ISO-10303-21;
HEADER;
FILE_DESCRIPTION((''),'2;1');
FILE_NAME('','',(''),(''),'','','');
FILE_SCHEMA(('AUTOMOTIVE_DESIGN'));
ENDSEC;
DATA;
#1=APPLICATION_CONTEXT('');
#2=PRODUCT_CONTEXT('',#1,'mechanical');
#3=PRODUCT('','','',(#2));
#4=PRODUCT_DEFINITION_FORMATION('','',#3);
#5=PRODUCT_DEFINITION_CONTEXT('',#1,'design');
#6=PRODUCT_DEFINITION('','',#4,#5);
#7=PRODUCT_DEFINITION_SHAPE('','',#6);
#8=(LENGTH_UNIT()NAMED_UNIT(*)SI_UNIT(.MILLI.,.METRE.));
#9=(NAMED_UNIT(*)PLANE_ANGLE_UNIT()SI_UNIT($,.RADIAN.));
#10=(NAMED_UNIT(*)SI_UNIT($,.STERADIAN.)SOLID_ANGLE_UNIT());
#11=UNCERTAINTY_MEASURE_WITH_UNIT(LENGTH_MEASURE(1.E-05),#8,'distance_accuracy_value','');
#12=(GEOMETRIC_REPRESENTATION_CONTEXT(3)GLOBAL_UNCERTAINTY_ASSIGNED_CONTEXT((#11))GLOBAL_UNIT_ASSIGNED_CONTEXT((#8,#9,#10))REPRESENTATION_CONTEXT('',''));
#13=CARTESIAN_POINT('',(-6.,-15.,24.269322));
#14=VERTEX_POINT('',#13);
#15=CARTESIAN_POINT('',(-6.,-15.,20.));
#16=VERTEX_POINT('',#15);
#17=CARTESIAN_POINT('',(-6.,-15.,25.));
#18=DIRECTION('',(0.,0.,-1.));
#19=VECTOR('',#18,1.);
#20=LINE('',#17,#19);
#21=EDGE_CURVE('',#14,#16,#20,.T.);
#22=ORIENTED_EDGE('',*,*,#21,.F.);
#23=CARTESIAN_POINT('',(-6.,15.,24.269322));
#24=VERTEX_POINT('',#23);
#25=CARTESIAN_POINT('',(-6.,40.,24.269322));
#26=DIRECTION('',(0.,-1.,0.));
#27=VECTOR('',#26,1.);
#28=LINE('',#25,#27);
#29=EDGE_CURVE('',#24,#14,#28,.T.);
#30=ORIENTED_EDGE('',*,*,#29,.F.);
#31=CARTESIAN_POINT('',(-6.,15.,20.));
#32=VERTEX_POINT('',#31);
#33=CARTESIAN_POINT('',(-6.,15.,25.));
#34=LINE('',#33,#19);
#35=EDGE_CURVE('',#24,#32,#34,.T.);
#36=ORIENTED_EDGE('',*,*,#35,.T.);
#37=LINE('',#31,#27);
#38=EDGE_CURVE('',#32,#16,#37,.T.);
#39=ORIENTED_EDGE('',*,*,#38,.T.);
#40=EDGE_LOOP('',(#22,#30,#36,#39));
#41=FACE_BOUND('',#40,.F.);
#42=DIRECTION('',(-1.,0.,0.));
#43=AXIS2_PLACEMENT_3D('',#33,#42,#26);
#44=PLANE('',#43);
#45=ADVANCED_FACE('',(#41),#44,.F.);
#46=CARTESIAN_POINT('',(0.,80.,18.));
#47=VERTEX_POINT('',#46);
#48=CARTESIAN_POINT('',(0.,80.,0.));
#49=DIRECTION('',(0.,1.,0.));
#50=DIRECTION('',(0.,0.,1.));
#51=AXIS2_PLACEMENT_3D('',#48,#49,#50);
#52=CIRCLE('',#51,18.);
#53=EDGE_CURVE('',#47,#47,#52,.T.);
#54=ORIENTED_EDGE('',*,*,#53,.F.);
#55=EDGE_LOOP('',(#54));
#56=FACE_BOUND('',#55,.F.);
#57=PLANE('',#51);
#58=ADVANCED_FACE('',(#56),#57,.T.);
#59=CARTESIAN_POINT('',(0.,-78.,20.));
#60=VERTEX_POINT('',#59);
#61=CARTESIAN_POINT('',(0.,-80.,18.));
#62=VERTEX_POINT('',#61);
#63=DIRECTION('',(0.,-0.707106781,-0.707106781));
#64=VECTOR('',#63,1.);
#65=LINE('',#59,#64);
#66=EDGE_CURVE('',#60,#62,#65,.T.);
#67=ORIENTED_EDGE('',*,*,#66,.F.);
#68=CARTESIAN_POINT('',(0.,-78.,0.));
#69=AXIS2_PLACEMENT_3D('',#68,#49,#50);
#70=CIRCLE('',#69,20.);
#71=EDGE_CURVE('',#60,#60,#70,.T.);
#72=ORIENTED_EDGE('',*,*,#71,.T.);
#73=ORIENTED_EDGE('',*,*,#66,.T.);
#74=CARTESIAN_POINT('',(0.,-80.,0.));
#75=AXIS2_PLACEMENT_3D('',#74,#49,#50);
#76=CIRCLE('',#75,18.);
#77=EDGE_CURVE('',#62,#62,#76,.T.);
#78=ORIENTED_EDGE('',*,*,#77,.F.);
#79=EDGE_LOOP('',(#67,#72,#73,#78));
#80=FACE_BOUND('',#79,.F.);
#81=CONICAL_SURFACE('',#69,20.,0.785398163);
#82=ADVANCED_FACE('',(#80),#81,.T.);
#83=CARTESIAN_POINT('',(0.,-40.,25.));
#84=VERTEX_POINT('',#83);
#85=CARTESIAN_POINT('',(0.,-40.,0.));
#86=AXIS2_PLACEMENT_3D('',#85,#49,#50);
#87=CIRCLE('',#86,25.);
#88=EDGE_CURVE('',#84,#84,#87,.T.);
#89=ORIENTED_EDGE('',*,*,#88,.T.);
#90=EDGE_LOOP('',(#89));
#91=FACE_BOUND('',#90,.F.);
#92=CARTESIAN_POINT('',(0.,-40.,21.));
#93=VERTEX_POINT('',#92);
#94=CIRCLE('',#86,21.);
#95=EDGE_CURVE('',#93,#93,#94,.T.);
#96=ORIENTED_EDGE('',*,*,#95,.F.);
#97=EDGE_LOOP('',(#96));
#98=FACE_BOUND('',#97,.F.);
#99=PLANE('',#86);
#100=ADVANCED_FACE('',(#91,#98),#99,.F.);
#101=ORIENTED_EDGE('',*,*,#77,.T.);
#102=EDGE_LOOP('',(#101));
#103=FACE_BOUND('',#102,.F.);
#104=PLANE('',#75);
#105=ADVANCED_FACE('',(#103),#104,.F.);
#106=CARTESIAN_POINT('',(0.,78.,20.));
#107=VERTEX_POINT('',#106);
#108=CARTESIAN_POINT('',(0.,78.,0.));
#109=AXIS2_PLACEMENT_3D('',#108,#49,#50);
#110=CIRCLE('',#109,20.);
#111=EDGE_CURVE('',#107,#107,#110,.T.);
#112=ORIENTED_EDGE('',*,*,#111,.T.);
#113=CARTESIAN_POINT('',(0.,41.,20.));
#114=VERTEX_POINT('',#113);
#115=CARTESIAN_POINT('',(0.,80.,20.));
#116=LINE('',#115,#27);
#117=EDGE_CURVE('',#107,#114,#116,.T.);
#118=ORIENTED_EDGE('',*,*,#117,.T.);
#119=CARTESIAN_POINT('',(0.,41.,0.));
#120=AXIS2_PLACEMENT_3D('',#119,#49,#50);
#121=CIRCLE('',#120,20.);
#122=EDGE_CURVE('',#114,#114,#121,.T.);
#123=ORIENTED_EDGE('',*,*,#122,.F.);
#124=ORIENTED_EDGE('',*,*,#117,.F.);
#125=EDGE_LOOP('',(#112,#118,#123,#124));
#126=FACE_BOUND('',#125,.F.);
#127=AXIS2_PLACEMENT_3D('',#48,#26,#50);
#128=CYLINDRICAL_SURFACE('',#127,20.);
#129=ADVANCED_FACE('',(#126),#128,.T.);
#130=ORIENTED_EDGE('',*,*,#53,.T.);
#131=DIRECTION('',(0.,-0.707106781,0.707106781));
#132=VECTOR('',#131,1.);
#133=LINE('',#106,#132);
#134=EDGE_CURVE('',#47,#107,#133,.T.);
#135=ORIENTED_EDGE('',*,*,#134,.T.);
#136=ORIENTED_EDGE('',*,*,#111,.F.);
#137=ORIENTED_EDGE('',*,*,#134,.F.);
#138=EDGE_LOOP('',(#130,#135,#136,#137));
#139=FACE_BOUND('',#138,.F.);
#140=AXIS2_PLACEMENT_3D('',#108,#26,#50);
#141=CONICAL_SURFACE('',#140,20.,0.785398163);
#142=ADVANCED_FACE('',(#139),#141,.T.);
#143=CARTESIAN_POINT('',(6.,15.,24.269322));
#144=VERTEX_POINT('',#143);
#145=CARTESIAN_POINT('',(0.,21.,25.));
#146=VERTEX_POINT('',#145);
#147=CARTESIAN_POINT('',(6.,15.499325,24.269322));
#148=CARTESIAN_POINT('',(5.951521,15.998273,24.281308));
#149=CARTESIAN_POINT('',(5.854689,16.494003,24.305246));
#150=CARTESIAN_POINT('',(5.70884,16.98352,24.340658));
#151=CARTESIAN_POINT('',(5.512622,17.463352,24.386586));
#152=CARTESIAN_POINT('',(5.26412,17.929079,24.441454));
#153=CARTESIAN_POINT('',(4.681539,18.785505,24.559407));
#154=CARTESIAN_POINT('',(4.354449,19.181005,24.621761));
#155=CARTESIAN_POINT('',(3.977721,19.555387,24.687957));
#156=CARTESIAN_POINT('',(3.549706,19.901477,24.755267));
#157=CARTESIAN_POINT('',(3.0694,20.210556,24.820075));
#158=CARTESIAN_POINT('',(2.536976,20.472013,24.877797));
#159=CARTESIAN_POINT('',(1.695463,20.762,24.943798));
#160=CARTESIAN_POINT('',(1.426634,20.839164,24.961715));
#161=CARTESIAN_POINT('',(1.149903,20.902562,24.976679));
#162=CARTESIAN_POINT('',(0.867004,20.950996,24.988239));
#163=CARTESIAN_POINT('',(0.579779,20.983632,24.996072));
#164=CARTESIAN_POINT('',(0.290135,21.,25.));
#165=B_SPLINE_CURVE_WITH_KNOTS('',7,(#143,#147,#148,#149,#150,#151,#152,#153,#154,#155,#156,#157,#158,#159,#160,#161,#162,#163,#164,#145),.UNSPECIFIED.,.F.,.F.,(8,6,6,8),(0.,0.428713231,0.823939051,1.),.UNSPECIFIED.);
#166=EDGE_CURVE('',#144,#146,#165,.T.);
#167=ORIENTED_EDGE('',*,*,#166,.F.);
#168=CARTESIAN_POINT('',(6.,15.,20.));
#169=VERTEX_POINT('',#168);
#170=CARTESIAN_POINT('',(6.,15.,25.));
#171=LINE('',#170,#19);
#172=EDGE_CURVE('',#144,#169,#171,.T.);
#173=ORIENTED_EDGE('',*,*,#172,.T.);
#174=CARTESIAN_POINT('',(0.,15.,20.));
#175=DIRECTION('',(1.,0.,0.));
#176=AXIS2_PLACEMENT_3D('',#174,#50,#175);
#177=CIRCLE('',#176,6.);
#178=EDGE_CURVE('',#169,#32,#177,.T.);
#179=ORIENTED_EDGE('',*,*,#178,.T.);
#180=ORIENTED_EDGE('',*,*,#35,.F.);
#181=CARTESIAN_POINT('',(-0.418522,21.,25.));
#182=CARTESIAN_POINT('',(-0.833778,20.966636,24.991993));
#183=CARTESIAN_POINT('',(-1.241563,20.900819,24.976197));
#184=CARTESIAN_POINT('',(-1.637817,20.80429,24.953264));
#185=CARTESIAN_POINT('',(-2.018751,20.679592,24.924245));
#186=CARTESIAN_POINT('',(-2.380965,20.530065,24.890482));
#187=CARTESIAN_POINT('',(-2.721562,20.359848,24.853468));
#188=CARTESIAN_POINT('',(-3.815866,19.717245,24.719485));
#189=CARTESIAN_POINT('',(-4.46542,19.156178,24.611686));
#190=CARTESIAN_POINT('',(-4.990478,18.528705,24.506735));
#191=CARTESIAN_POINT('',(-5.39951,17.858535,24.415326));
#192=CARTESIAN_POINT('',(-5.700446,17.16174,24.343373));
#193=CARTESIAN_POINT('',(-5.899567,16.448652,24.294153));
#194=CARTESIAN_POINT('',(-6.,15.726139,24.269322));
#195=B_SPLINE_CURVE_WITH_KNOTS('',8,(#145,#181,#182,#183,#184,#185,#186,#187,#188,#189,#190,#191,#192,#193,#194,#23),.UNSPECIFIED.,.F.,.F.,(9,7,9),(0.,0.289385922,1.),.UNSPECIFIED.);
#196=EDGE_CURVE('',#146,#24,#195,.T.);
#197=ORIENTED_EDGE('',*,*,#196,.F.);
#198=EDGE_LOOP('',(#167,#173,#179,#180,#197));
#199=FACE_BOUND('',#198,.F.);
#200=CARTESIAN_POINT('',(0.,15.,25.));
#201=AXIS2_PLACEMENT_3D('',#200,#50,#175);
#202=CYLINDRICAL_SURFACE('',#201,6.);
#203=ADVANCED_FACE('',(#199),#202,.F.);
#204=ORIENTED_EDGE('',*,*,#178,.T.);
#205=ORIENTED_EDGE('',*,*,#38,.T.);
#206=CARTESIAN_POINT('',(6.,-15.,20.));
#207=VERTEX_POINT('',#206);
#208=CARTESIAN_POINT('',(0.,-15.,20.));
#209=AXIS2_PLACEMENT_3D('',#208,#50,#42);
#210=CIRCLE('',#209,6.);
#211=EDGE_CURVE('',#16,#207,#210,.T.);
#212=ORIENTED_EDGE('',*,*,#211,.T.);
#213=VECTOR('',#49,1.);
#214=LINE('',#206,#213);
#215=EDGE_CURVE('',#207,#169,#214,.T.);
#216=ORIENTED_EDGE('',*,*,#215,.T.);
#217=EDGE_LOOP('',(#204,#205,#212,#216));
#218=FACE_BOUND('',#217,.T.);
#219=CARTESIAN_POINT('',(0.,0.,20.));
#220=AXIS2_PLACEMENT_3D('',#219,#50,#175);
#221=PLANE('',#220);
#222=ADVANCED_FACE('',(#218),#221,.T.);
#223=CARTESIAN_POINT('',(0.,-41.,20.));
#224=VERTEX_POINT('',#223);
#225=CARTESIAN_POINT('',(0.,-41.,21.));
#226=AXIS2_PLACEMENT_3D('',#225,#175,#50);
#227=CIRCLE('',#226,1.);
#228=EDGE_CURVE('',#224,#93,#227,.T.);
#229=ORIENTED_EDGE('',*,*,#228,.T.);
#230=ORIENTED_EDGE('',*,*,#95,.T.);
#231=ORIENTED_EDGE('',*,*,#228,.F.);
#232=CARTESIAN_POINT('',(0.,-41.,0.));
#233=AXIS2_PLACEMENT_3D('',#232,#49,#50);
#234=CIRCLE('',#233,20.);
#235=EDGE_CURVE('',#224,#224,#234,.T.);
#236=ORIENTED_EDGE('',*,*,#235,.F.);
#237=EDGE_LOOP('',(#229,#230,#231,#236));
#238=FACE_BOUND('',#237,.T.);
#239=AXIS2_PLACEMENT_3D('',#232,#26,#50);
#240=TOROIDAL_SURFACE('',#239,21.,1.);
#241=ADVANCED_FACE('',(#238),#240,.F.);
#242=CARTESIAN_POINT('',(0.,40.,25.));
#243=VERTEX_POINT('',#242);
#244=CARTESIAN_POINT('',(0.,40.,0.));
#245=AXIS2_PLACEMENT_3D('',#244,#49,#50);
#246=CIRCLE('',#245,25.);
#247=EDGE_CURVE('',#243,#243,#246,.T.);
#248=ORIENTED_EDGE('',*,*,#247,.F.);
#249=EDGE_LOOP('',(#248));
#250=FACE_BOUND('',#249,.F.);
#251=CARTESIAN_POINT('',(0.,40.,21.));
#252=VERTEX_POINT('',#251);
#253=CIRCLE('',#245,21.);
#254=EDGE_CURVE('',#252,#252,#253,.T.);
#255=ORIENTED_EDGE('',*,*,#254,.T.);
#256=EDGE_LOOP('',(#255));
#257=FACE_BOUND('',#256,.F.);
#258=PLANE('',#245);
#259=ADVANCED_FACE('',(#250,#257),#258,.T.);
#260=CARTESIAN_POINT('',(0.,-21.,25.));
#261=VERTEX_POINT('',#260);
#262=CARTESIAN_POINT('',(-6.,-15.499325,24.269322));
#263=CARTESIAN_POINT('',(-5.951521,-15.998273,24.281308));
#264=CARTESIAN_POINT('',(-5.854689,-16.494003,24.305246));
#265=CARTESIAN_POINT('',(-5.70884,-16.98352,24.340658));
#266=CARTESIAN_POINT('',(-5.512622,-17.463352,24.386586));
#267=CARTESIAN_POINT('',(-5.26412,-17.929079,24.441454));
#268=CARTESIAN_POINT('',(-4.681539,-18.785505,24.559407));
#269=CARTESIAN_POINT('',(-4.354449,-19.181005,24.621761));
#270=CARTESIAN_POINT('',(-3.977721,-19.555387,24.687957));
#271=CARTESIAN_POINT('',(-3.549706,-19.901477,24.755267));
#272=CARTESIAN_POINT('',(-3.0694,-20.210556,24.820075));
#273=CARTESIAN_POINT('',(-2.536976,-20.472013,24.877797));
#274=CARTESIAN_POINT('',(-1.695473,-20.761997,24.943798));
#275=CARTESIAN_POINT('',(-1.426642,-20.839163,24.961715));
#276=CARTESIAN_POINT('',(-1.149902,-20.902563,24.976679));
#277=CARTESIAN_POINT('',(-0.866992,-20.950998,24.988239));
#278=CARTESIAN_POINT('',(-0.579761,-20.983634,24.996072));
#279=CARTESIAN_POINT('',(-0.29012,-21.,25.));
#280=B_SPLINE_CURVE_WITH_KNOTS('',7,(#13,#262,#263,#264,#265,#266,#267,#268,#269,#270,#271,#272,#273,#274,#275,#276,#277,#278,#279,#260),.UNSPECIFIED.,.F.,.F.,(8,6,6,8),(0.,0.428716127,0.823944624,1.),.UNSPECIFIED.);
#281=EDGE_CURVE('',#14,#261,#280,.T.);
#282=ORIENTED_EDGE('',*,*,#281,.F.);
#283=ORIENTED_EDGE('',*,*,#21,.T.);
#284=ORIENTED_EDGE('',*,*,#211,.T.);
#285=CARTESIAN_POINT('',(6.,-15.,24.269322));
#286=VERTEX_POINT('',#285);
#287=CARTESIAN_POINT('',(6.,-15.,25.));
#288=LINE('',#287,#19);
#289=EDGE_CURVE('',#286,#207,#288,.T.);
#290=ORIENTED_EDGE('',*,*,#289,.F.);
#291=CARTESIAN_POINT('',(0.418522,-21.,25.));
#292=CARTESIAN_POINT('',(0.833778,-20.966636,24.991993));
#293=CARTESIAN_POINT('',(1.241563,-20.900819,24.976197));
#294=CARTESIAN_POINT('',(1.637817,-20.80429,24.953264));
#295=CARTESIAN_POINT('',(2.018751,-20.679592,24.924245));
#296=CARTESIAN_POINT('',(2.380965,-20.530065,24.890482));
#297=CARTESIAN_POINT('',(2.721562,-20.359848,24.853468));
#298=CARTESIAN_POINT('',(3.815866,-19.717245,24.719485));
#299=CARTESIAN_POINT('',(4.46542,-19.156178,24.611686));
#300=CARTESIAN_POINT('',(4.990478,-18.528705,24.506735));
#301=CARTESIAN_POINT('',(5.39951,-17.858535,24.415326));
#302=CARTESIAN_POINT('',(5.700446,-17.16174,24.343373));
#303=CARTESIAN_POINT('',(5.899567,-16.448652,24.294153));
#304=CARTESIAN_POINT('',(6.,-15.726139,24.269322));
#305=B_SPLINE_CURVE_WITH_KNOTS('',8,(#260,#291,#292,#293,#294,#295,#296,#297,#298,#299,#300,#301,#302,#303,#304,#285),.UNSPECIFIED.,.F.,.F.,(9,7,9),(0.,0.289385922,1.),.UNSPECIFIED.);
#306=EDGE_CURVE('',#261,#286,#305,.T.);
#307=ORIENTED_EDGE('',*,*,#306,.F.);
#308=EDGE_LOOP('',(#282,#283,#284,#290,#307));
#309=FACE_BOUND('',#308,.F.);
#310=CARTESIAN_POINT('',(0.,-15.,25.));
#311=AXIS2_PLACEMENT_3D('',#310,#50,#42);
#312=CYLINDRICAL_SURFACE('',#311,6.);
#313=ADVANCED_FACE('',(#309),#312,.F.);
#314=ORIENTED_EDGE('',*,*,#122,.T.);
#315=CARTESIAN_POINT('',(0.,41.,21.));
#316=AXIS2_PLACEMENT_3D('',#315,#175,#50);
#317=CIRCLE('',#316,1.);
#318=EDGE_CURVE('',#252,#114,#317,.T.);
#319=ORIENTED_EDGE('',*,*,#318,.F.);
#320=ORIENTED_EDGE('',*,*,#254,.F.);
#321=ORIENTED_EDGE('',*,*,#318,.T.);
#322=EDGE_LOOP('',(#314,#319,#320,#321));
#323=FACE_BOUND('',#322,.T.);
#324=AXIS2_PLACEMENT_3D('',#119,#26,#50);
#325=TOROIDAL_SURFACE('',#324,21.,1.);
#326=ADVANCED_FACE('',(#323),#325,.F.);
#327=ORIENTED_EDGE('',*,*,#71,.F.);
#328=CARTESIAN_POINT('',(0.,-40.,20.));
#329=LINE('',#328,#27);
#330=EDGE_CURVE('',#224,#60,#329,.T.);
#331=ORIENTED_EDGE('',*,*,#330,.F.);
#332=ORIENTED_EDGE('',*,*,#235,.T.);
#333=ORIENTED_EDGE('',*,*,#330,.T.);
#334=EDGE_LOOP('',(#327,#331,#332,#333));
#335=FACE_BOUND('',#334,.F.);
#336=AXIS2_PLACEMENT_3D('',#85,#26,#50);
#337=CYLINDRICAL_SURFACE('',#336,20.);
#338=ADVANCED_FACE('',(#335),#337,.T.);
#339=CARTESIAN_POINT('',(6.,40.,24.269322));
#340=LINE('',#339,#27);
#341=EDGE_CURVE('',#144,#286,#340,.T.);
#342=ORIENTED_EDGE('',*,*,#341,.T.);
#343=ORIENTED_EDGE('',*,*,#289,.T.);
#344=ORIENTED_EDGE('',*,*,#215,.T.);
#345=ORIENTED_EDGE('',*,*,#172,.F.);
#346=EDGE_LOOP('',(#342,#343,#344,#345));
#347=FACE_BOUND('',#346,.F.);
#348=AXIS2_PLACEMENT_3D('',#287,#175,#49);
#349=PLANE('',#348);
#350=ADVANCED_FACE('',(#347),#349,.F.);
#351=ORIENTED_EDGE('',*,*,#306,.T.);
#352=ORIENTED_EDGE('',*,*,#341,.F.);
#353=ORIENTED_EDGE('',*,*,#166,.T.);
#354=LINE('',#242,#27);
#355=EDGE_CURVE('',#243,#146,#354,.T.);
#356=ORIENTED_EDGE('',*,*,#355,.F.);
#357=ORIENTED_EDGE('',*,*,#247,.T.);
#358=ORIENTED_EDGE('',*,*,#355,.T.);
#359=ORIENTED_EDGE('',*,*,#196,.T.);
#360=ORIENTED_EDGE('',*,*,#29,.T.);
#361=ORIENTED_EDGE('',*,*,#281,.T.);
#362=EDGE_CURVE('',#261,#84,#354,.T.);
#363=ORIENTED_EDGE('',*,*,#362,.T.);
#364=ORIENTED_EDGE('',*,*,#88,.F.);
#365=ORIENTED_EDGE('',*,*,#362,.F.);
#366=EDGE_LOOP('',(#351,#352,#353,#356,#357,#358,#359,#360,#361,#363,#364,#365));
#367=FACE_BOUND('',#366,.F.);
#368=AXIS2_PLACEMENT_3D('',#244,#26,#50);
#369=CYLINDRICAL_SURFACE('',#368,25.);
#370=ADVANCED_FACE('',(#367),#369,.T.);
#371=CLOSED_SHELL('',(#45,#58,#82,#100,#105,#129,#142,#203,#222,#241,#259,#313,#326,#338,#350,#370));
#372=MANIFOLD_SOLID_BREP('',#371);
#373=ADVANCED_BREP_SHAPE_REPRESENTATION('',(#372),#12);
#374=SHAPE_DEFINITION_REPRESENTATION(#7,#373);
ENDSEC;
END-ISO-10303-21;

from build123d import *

# Parameters (mm, degrees)
F2_SIZE  = 2
F3_R     = 1
F4_R     = 1
F7_DEPTH = 5


with BuildPart() as f1:
    # F0 (on Right) → F1 (revolve)
    with BuildSketch(Plane.YZ):
        Polygon((0, 25), (-40, 25), (-40, 20), (-80, 20), (-80, 0), (80, 0), (80, 20), (40, 20), (40, 25), align=None)
    revolve(axis=Axis((0, 1.564302, 0), (0, 1, 0)))

    # F2
    f2_edges = [f1.edges().sort_by_distance(p)[0] for p in [
        (0, -80, -20),
        (0, 80, -20),
    ]]
    chamfer(f2_edges, length=F2_SIZE)

    # F3
    f3_edges = [f1.edges().sort_by_distance(p)[0] for p in [
        (0, -40, -20),
    ]]
    fillet(f3_edges, radius=F3_R)

    # F4
    f4_edges = [f1.edges().sort_by_distance(p)[0] for p in [
        (0, 40, -20),
    ]]
    fillet(f4_edges, radius=F4_R)

    # F6 (on offset) → F7 (cut)
    with BuildSketch(Plane.XY.offset(25)):
        with BuildLine():
            Line((-6, 15), (-6, 0))
            Line((-6, 0), (-6, -15))
            ThreePointArc((-6, -15), (0, -21), (6, -15))
            Line((6, -15), (6, 0))
            Line((6, 0), (6, 15))
            ThreePointArc((6, 15), (0, 21), (-6, 15))
        make_face()
    extrude(amount=-F7_DEPTH, mode=Mode.SUBTRACT)


solid = f1.part
